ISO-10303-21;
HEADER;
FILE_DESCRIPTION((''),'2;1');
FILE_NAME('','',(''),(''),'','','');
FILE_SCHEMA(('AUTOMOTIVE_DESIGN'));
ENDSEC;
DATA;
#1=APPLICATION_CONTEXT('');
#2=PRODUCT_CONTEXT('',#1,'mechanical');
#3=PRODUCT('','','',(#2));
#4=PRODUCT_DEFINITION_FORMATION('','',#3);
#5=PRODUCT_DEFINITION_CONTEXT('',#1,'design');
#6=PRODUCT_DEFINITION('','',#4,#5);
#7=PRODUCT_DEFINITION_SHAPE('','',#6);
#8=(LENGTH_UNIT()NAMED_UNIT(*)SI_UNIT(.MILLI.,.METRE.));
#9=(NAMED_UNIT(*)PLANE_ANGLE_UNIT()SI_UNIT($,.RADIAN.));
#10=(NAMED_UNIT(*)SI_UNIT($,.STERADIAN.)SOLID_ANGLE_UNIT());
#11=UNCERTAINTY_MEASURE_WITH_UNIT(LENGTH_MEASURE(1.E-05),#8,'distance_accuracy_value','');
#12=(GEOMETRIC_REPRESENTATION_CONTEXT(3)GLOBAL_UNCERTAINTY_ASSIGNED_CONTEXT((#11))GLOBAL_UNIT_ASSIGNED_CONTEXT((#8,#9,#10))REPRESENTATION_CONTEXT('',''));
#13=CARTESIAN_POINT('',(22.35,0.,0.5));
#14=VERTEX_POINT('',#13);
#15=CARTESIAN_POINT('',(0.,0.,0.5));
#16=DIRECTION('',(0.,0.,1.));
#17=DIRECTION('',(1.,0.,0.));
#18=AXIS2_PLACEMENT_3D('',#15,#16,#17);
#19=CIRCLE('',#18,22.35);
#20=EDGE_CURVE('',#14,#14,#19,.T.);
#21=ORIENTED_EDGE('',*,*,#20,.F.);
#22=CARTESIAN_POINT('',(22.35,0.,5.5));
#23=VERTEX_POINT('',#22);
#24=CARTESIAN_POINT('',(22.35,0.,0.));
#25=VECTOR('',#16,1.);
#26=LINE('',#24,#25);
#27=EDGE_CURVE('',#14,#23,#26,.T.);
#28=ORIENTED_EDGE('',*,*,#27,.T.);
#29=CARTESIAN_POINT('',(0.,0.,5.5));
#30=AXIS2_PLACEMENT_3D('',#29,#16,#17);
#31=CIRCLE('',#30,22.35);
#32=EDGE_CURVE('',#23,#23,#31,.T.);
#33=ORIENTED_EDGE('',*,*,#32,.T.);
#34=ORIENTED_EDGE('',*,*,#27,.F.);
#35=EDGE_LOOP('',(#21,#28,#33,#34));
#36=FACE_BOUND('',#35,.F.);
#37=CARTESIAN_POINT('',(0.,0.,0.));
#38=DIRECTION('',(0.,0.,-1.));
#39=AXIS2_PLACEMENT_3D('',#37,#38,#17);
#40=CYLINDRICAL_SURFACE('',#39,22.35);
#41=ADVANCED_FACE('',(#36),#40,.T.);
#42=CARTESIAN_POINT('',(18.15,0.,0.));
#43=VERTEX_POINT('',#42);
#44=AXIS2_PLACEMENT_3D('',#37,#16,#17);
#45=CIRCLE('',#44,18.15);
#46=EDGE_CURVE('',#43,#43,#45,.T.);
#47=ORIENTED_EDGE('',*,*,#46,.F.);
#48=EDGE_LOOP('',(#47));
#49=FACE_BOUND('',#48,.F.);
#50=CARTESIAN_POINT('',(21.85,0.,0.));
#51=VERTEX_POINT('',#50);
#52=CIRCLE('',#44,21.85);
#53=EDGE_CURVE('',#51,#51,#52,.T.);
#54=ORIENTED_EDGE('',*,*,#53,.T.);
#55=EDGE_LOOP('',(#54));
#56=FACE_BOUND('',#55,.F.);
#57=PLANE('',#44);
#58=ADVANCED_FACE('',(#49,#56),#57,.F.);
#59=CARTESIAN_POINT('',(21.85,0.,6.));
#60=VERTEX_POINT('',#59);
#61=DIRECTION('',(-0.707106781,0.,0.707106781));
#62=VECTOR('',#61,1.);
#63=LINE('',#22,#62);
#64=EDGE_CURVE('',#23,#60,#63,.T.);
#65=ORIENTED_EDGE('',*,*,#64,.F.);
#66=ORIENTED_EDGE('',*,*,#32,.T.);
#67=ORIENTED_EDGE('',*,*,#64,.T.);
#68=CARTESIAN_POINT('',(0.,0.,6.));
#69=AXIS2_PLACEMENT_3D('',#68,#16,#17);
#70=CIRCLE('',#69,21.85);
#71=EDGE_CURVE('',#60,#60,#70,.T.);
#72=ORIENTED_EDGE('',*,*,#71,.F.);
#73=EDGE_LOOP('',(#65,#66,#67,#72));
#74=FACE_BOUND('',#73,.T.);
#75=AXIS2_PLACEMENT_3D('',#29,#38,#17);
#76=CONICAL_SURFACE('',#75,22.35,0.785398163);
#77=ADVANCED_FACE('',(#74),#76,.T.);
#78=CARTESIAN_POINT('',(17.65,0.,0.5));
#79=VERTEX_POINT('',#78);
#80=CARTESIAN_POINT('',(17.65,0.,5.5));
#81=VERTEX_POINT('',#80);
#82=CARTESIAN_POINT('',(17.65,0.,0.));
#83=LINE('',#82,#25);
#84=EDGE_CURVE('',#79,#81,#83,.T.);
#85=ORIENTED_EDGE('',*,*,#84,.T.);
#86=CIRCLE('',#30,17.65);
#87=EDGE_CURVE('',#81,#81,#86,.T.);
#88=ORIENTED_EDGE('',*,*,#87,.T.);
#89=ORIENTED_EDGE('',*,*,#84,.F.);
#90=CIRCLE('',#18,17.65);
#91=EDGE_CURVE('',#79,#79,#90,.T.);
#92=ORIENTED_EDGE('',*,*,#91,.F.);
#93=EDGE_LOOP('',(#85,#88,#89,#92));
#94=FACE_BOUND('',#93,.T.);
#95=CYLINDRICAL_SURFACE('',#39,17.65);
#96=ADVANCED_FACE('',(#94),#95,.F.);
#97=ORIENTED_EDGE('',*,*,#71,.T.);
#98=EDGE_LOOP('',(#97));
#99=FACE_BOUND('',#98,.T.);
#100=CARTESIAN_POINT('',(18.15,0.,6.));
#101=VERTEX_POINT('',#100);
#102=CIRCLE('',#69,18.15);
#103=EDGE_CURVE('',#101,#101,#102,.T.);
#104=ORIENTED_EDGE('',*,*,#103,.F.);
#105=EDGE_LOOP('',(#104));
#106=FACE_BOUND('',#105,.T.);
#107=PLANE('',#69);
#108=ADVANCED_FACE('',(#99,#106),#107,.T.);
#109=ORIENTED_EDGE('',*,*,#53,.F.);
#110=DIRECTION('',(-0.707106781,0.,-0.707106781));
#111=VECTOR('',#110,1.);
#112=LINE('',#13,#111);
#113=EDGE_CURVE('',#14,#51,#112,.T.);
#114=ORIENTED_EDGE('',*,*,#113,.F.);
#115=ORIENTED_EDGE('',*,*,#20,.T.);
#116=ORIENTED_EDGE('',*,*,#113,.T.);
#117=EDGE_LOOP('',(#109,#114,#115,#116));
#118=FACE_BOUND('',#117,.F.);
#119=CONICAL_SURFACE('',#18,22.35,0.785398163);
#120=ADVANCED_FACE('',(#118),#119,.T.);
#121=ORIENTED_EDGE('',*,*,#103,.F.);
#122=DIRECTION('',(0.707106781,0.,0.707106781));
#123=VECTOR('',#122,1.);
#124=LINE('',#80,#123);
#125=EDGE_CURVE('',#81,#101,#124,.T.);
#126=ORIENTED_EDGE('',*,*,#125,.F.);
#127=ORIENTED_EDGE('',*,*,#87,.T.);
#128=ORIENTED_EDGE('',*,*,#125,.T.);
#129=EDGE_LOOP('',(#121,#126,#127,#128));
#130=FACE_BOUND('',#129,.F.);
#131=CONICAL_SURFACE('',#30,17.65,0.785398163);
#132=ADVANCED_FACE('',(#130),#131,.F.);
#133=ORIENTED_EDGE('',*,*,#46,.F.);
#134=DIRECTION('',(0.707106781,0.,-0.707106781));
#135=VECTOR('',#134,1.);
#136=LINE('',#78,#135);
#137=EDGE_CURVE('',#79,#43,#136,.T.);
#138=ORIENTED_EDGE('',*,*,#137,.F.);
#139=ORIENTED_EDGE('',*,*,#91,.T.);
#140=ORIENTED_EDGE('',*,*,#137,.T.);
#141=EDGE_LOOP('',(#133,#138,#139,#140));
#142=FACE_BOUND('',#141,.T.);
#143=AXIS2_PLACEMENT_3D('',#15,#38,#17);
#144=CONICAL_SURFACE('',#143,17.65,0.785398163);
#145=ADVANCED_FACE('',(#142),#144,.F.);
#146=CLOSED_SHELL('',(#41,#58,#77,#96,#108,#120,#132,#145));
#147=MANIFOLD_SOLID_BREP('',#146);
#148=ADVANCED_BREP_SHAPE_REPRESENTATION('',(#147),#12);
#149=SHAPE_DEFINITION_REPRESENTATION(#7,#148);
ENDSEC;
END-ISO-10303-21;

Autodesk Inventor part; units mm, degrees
ref_plane "YZ Plane" through (0, 0, 0) normal (1, 0, 0) x (0, 1, 0)
ref_plane "XZ Plane" through (0, 0, 0) normal (0, 1, 0) x (-1, 0, 0)
ref_plane "XY Plane" through (0, 0, 0) normal (0, 0, 1) x (1, 0, 0)
sketch "草圖1" plane through (0, 0, 0) normal (0, 0, 1) x (1, 0, 0)
  circle A0 centre (0, 0) radius 17.65
  circle A1 centre (0, 0) radius 22.35
  dimension "d0" = 44.7
  dimension "d1" = 35.3
extrude "擠出1" add sketch "草圖1" along normal blind 6
chamfer "倒角1" distance 0.5 angle 45 4 edges at (-17.65, 0, 6) (-17.65, 0, 0) (-22.35, 0, 6) (-22.35, 0, 0)
properties part number "KE-SP-01"
